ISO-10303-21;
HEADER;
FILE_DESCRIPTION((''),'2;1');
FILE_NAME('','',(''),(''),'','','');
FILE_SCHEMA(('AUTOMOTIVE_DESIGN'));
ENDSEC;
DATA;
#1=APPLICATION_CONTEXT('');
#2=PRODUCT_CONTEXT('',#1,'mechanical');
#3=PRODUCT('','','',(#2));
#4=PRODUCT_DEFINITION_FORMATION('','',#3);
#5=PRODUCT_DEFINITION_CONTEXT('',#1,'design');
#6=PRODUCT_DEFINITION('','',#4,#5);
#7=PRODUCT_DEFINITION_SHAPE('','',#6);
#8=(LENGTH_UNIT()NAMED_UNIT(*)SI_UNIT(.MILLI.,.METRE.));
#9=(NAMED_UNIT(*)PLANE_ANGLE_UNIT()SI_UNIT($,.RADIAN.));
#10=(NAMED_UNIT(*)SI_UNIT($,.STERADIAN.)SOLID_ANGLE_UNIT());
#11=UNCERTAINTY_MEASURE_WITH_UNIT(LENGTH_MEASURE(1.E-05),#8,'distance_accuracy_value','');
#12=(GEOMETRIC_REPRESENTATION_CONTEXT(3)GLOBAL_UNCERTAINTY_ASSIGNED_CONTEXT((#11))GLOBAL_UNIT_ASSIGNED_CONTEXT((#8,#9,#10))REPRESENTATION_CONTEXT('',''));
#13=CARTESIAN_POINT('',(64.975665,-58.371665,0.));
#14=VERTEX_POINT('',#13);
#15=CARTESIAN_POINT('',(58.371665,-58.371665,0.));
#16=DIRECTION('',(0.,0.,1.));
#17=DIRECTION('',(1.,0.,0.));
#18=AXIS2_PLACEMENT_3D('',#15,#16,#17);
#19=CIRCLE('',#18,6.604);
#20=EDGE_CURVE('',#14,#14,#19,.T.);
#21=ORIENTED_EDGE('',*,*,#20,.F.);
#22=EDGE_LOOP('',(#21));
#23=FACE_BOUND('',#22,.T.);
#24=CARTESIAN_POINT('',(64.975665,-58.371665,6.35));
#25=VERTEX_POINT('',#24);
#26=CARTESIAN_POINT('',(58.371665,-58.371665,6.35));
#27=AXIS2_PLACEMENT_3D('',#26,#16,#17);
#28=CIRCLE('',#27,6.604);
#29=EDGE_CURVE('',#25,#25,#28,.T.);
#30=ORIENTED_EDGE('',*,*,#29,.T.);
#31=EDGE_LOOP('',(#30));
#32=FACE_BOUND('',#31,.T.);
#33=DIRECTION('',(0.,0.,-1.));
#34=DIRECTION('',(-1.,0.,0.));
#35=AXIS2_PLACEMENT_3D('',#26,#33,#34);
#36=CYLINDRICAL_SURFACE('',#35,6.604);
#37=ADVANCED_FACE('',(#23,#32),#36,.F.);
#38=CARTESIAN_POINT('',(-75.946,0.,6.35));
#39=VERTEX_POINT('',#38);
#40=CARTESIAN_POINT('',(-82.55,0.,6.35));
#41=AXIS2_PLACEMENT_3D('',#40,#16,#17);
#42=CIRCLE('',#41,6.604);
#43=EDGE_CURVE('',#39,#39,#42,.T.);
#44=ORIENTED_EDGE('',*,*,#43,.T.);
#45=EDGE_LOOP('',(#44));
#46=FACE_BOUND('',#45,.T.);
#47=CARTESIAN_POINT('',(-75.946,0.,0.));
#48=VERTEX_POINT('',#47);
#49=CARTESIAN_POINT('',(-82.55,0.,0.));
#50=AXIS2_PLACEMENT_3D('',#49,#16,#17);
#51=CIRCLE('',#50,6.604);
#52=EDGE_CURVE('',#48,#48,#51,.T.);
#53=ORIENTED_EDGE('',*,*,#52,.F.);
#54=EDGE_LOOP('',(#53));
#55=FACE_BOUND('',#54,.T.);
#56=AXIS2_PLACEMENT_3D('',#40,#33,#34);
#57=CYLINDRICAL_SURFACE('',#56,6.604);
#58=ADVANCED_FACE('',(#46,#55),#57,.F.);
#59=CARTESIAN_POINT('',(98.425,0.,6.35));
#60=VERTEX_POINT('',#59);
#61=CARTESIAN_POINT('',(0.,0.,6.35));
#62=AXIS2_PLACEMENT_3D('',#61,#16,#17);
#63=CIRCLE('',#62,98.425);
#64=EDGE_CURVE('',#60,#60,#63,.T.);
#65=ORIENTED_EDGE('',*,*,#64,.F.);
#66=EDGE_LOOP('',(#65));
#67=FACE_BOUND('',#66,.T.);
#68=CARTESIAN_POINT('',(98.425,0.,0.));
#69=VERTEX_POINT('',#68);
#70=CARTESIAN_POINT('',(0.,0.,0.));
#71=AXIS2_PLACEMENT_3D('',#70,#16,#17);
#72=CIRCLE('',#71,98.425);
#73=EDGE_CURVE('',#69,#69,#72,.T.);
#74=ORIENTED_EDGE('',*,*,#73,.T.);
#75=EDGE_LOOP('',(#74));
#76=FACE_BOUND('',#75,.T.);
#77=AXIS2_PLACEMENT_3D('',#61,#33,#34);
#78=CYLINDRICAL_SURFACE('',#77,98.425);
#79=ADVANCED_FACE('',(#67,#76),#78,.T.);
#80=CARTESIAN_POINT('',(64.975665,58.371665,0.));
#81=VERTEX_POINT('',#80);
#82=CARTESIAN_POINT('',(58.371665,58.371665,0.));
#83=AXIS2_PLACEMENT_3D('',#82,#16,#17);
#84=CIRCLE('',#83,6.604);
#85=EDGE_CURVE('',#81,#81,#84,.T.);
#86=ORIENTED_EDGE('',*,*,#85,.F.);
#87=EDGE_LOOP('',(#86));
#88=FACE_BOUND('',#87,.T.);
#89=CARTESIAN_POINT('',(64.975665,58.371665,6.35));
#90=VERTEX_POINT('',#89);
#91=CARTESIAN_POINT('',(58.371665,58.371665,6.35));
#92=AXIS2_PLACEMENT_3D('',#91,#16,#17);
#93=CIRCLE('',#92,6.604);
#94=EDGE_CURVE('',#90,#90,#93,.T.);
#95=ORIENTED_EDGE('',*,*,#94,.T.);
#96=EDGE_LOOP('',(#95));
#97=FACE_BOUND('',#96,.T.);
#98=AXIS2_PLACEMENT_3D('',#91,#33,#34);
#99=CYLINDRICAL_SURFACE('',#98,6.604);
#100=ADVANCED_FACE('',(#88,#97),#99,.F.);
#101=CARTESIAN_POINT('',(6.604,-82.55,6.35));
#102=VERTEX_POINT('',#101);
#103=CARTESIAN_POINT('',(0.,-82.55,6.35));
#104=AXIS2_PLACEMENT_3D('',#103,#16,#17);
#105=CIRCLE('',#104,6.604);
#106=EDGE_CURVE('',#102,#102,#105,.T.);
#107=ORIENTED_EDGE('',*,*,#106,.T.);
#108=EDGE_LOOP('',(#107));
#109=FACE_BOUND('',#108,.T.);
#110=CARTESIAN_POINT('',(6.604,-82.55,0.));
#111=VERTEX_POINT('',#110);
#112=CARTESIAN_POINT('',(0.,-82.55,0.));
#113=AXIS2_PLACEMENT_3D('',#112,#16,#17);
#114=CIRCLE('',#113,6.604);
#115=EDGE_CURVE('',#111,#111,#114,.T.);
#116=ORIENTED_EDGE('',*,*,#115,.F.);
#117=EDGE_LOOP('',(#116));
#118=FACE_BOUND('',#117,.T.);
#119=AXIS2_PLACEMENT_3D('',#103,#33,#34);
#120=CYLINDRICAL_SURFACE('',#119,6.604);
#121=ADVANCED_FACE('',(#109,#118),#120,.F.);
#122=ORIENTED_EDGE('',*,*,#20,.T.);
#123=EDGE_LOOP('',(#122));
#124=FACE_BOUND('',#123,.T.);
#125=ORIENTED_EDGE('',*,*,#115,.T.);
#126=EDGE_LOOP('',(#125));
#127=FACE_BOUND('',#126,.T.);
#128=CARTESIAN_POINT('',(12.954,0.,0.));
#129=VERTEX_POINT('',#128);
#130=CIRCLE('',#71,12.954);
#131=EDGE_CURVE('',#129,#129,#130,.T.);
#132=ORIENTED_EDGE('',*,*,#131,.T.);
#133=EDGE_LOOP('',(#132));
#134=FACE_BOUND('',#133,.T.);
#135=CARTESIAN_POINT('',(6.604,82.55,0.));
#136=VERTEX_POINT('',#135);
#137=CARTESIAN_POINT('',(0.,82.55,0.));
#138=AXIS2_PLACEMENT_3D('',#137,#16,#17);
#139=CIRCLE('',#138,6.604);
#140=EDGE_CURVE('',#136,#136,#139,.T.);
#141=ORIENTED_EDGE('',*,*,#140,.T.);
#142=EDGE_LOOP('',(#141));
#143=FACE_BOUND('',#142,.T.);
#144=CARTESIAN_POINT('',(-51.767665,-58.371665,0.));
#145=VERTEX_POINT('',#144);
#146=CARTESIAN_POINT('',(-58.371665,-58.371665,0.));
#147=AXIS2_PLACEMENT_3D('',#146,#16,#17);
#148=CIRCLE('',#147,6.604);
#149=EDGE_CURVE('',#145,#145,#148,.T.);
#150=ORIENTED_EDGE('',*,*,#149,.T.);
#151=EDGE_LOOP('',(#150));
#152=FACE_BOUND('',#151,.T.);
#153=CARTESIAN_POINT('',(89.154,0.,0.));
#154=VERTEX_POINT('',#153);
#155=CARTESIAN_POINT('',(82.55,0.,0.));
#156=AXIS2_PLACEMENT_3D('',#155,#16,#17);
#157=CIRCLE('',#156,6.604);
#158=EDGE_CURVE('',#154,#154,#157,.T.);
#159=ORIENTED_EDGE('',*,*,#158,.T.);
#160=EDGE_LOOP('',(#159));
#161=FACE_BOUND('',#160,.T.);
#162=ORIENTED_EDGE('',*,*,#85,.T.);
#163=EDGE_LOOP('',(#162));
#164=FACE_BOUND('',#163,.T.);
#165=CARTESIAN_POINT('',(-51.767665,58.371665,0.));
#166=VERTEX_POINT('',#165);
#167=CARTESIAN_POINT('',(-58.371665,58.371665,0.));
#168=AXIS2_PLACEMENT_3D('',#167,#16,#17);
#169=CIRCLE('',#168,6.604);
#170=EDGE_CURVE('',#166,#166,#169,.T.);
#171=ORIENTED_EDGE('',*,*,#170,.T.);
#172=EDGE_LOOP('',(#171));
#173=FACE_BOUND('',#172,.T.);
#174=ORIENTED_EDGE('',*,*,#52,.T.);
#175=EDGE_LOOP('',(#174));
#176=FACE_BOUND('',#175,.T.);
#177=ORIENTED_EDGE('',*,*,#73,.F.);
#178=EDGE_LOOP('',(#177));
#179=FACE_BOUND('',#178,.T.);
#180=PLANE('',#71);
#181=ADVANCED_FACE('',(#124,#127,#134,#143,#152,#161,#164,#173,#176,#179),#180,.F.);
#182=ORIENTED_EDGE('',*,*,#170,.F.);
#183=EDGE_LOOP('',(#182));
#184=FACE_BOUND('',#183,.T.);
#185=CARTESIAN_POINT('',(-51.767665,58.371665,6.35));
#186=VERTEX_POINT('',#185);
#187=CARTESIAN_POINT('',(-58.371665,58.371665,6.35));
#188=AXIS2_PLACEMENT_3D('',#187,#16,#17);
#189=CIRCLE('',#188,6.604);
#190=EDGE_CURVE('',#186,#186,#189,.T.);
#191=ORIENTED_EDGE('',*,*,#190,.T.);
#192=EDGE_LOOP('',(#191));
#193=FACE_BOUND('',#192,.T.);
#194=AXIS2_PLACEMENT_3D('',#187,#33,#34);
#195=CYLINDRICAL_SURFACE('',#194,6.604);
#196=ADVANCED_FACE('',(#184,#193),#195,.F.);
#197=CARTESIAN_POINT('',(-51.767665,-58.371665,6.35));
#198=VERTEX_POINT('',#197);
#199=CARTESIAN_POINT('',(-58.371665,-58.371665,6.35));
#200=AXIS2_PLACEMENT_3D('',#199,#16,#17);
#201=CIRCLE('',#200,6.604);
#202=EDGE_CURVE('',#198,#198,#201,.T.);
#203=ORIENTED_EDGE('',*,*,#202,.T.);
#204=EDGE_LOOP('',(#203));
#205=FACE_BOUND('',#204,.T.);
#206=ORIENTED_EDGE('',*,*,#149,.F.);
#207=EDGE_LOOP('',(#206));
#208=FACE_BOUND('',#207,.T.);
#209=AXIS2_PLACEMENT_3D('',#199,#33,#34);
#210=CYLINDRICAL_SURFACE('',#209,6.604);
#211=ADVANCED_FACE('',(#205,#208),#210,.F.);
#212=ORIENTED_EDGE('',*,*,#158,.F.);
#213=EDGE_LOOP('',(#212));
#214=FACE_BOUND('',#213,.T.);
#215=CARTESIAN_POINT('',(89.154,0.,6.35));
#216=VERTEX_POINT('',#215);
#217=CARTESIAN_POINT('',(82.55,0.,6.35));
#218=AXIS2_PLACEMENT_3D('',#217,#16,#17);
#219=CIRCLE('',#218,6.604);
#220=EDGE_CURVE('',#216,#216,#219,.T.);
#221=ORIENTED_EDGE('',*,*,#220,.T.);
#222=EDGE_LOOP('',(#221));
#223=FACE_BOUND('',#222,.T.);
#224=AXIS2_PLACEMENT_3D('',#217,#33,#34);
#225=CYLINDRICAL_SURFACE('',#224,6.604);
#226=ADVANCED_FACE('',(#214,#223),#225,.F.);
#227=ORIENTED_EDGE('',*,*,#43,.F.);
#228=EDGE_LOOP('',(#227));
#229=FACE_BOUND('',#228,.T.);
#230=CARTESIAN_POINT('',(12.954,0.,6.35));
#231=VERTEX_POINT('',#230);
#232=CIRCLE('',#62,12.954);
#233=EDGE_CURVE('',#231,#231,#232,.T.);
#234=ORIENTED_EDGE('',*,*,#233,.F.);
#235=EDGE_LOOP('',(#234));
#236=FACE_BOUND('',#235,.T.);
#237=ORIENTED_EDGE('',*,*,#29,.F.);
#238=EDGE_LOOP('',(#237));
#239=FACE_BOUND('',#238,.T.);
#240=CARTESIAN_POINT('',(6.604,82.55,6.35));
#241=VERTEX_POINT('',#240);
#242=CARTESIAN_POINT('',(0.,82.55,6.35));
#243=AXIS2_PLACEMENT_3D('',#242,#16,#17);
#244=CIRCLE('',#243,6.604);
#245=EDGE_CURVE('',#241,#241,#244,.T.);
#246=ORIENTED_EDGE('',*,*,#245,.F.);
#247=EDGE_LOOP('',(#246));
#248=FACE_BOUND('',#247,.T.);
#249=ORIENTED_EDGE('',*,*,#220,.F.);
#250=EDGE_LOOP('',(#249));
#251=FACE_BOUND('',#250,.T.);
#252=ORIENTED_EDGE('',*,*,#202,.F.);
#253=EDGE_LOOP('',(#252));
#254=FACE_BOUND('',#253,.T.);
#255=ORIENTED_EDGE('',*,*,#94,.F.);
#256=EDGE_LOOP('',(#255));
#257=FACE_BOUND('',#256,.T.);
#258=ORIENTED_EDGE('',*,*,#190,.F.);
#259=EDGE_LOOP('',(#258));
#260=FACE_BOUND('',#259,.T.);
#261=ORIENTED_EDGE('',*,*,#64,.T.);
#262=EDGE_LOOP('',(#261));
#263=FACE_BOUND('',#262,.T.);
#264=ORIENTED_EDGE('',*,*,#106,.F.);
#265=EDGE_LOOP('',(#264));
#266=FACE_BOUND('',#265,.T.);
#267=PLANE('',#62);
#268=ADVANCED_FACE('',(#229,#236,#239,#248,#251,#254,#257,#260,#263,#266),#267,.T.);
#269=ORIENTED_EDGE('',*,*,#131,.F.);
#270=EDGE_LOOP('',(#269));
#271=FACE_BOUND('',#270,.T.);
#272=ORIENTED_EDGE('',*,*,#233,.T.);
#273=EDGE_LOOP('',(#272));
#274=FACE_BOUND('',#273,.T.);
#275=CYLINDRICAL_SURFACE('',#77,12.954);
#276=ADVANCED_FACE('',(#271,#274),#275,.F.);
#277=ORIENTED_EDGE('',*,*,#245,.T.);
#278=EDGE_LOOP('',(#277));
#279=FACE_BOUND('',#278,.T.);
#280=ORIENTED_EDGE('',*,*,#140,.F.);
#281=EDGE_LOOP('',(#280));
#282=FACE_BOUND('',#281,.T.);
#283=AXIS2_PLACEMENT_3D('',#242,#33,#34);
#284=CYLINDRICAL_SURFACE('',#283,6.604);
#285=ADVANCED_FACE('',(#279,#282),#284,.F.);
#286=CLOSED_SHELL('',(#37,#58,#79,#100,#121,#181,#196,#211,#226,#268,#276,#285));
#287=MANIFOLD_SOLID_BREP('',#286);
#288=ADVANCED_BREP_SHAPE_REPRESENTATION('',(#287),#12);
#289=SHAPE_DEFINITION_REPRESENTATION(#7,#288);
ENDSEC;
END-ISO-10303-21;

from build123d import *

# Parameters (mm, degrees)
SKETCH1_R        = 98.425
SKETCH1_R_2      = 12.954
SKETCH1_R_3      = 6.604
ROTOR_DISC_DEPTH = 6.35


with BuildPart() as part:
    # Sketch1 → Rotor Disc (new body)
    with BuildSketch(Plane.XY):
        Circle(SKETCH1_R)
        Circle(SKETCH1_R_2, mode=Mode.SUBTRACT)
        with Locations((0, 82.55)):
            Circle(SKETCH1_R_3, mode=Mode.SUBTRACT)
        with Locations((58.371664787, 58.371664787)):
            Circle(SKETCH1_R_3, mode=Mode.SUBTRACT)
        with Locations((82.55, 0)):
            Circle(SKETCH1_R_3, mode=Mode.SUBTRACT)
        with Locations((58.371664787, -58.371664787)):
            Circle(SKETCH1_R_3, mode=Mode.SUBTRACT)
        with Locations((0, -82.55)):
            Circle(SKETCH1_R_3, mode=Mode.SUBTRACT)
        with Locations((-58.371664787, -58.371664787)):
            Circle(SKETCH1_R_3, mode=Mode.SUBTRACT)
        with Locations((-82.55, 0)):
            Circle(SKETCH1_R_3, mode=Mode.SUBTRACT)
        with Locations((-58.371664787, 58.371664787)):
            Circle(SKETCH1_R_3, mode=Mode.SUBTRACT)
    extrude(amount=ROTOR_DISC_DEPTH)


solid = part.part
